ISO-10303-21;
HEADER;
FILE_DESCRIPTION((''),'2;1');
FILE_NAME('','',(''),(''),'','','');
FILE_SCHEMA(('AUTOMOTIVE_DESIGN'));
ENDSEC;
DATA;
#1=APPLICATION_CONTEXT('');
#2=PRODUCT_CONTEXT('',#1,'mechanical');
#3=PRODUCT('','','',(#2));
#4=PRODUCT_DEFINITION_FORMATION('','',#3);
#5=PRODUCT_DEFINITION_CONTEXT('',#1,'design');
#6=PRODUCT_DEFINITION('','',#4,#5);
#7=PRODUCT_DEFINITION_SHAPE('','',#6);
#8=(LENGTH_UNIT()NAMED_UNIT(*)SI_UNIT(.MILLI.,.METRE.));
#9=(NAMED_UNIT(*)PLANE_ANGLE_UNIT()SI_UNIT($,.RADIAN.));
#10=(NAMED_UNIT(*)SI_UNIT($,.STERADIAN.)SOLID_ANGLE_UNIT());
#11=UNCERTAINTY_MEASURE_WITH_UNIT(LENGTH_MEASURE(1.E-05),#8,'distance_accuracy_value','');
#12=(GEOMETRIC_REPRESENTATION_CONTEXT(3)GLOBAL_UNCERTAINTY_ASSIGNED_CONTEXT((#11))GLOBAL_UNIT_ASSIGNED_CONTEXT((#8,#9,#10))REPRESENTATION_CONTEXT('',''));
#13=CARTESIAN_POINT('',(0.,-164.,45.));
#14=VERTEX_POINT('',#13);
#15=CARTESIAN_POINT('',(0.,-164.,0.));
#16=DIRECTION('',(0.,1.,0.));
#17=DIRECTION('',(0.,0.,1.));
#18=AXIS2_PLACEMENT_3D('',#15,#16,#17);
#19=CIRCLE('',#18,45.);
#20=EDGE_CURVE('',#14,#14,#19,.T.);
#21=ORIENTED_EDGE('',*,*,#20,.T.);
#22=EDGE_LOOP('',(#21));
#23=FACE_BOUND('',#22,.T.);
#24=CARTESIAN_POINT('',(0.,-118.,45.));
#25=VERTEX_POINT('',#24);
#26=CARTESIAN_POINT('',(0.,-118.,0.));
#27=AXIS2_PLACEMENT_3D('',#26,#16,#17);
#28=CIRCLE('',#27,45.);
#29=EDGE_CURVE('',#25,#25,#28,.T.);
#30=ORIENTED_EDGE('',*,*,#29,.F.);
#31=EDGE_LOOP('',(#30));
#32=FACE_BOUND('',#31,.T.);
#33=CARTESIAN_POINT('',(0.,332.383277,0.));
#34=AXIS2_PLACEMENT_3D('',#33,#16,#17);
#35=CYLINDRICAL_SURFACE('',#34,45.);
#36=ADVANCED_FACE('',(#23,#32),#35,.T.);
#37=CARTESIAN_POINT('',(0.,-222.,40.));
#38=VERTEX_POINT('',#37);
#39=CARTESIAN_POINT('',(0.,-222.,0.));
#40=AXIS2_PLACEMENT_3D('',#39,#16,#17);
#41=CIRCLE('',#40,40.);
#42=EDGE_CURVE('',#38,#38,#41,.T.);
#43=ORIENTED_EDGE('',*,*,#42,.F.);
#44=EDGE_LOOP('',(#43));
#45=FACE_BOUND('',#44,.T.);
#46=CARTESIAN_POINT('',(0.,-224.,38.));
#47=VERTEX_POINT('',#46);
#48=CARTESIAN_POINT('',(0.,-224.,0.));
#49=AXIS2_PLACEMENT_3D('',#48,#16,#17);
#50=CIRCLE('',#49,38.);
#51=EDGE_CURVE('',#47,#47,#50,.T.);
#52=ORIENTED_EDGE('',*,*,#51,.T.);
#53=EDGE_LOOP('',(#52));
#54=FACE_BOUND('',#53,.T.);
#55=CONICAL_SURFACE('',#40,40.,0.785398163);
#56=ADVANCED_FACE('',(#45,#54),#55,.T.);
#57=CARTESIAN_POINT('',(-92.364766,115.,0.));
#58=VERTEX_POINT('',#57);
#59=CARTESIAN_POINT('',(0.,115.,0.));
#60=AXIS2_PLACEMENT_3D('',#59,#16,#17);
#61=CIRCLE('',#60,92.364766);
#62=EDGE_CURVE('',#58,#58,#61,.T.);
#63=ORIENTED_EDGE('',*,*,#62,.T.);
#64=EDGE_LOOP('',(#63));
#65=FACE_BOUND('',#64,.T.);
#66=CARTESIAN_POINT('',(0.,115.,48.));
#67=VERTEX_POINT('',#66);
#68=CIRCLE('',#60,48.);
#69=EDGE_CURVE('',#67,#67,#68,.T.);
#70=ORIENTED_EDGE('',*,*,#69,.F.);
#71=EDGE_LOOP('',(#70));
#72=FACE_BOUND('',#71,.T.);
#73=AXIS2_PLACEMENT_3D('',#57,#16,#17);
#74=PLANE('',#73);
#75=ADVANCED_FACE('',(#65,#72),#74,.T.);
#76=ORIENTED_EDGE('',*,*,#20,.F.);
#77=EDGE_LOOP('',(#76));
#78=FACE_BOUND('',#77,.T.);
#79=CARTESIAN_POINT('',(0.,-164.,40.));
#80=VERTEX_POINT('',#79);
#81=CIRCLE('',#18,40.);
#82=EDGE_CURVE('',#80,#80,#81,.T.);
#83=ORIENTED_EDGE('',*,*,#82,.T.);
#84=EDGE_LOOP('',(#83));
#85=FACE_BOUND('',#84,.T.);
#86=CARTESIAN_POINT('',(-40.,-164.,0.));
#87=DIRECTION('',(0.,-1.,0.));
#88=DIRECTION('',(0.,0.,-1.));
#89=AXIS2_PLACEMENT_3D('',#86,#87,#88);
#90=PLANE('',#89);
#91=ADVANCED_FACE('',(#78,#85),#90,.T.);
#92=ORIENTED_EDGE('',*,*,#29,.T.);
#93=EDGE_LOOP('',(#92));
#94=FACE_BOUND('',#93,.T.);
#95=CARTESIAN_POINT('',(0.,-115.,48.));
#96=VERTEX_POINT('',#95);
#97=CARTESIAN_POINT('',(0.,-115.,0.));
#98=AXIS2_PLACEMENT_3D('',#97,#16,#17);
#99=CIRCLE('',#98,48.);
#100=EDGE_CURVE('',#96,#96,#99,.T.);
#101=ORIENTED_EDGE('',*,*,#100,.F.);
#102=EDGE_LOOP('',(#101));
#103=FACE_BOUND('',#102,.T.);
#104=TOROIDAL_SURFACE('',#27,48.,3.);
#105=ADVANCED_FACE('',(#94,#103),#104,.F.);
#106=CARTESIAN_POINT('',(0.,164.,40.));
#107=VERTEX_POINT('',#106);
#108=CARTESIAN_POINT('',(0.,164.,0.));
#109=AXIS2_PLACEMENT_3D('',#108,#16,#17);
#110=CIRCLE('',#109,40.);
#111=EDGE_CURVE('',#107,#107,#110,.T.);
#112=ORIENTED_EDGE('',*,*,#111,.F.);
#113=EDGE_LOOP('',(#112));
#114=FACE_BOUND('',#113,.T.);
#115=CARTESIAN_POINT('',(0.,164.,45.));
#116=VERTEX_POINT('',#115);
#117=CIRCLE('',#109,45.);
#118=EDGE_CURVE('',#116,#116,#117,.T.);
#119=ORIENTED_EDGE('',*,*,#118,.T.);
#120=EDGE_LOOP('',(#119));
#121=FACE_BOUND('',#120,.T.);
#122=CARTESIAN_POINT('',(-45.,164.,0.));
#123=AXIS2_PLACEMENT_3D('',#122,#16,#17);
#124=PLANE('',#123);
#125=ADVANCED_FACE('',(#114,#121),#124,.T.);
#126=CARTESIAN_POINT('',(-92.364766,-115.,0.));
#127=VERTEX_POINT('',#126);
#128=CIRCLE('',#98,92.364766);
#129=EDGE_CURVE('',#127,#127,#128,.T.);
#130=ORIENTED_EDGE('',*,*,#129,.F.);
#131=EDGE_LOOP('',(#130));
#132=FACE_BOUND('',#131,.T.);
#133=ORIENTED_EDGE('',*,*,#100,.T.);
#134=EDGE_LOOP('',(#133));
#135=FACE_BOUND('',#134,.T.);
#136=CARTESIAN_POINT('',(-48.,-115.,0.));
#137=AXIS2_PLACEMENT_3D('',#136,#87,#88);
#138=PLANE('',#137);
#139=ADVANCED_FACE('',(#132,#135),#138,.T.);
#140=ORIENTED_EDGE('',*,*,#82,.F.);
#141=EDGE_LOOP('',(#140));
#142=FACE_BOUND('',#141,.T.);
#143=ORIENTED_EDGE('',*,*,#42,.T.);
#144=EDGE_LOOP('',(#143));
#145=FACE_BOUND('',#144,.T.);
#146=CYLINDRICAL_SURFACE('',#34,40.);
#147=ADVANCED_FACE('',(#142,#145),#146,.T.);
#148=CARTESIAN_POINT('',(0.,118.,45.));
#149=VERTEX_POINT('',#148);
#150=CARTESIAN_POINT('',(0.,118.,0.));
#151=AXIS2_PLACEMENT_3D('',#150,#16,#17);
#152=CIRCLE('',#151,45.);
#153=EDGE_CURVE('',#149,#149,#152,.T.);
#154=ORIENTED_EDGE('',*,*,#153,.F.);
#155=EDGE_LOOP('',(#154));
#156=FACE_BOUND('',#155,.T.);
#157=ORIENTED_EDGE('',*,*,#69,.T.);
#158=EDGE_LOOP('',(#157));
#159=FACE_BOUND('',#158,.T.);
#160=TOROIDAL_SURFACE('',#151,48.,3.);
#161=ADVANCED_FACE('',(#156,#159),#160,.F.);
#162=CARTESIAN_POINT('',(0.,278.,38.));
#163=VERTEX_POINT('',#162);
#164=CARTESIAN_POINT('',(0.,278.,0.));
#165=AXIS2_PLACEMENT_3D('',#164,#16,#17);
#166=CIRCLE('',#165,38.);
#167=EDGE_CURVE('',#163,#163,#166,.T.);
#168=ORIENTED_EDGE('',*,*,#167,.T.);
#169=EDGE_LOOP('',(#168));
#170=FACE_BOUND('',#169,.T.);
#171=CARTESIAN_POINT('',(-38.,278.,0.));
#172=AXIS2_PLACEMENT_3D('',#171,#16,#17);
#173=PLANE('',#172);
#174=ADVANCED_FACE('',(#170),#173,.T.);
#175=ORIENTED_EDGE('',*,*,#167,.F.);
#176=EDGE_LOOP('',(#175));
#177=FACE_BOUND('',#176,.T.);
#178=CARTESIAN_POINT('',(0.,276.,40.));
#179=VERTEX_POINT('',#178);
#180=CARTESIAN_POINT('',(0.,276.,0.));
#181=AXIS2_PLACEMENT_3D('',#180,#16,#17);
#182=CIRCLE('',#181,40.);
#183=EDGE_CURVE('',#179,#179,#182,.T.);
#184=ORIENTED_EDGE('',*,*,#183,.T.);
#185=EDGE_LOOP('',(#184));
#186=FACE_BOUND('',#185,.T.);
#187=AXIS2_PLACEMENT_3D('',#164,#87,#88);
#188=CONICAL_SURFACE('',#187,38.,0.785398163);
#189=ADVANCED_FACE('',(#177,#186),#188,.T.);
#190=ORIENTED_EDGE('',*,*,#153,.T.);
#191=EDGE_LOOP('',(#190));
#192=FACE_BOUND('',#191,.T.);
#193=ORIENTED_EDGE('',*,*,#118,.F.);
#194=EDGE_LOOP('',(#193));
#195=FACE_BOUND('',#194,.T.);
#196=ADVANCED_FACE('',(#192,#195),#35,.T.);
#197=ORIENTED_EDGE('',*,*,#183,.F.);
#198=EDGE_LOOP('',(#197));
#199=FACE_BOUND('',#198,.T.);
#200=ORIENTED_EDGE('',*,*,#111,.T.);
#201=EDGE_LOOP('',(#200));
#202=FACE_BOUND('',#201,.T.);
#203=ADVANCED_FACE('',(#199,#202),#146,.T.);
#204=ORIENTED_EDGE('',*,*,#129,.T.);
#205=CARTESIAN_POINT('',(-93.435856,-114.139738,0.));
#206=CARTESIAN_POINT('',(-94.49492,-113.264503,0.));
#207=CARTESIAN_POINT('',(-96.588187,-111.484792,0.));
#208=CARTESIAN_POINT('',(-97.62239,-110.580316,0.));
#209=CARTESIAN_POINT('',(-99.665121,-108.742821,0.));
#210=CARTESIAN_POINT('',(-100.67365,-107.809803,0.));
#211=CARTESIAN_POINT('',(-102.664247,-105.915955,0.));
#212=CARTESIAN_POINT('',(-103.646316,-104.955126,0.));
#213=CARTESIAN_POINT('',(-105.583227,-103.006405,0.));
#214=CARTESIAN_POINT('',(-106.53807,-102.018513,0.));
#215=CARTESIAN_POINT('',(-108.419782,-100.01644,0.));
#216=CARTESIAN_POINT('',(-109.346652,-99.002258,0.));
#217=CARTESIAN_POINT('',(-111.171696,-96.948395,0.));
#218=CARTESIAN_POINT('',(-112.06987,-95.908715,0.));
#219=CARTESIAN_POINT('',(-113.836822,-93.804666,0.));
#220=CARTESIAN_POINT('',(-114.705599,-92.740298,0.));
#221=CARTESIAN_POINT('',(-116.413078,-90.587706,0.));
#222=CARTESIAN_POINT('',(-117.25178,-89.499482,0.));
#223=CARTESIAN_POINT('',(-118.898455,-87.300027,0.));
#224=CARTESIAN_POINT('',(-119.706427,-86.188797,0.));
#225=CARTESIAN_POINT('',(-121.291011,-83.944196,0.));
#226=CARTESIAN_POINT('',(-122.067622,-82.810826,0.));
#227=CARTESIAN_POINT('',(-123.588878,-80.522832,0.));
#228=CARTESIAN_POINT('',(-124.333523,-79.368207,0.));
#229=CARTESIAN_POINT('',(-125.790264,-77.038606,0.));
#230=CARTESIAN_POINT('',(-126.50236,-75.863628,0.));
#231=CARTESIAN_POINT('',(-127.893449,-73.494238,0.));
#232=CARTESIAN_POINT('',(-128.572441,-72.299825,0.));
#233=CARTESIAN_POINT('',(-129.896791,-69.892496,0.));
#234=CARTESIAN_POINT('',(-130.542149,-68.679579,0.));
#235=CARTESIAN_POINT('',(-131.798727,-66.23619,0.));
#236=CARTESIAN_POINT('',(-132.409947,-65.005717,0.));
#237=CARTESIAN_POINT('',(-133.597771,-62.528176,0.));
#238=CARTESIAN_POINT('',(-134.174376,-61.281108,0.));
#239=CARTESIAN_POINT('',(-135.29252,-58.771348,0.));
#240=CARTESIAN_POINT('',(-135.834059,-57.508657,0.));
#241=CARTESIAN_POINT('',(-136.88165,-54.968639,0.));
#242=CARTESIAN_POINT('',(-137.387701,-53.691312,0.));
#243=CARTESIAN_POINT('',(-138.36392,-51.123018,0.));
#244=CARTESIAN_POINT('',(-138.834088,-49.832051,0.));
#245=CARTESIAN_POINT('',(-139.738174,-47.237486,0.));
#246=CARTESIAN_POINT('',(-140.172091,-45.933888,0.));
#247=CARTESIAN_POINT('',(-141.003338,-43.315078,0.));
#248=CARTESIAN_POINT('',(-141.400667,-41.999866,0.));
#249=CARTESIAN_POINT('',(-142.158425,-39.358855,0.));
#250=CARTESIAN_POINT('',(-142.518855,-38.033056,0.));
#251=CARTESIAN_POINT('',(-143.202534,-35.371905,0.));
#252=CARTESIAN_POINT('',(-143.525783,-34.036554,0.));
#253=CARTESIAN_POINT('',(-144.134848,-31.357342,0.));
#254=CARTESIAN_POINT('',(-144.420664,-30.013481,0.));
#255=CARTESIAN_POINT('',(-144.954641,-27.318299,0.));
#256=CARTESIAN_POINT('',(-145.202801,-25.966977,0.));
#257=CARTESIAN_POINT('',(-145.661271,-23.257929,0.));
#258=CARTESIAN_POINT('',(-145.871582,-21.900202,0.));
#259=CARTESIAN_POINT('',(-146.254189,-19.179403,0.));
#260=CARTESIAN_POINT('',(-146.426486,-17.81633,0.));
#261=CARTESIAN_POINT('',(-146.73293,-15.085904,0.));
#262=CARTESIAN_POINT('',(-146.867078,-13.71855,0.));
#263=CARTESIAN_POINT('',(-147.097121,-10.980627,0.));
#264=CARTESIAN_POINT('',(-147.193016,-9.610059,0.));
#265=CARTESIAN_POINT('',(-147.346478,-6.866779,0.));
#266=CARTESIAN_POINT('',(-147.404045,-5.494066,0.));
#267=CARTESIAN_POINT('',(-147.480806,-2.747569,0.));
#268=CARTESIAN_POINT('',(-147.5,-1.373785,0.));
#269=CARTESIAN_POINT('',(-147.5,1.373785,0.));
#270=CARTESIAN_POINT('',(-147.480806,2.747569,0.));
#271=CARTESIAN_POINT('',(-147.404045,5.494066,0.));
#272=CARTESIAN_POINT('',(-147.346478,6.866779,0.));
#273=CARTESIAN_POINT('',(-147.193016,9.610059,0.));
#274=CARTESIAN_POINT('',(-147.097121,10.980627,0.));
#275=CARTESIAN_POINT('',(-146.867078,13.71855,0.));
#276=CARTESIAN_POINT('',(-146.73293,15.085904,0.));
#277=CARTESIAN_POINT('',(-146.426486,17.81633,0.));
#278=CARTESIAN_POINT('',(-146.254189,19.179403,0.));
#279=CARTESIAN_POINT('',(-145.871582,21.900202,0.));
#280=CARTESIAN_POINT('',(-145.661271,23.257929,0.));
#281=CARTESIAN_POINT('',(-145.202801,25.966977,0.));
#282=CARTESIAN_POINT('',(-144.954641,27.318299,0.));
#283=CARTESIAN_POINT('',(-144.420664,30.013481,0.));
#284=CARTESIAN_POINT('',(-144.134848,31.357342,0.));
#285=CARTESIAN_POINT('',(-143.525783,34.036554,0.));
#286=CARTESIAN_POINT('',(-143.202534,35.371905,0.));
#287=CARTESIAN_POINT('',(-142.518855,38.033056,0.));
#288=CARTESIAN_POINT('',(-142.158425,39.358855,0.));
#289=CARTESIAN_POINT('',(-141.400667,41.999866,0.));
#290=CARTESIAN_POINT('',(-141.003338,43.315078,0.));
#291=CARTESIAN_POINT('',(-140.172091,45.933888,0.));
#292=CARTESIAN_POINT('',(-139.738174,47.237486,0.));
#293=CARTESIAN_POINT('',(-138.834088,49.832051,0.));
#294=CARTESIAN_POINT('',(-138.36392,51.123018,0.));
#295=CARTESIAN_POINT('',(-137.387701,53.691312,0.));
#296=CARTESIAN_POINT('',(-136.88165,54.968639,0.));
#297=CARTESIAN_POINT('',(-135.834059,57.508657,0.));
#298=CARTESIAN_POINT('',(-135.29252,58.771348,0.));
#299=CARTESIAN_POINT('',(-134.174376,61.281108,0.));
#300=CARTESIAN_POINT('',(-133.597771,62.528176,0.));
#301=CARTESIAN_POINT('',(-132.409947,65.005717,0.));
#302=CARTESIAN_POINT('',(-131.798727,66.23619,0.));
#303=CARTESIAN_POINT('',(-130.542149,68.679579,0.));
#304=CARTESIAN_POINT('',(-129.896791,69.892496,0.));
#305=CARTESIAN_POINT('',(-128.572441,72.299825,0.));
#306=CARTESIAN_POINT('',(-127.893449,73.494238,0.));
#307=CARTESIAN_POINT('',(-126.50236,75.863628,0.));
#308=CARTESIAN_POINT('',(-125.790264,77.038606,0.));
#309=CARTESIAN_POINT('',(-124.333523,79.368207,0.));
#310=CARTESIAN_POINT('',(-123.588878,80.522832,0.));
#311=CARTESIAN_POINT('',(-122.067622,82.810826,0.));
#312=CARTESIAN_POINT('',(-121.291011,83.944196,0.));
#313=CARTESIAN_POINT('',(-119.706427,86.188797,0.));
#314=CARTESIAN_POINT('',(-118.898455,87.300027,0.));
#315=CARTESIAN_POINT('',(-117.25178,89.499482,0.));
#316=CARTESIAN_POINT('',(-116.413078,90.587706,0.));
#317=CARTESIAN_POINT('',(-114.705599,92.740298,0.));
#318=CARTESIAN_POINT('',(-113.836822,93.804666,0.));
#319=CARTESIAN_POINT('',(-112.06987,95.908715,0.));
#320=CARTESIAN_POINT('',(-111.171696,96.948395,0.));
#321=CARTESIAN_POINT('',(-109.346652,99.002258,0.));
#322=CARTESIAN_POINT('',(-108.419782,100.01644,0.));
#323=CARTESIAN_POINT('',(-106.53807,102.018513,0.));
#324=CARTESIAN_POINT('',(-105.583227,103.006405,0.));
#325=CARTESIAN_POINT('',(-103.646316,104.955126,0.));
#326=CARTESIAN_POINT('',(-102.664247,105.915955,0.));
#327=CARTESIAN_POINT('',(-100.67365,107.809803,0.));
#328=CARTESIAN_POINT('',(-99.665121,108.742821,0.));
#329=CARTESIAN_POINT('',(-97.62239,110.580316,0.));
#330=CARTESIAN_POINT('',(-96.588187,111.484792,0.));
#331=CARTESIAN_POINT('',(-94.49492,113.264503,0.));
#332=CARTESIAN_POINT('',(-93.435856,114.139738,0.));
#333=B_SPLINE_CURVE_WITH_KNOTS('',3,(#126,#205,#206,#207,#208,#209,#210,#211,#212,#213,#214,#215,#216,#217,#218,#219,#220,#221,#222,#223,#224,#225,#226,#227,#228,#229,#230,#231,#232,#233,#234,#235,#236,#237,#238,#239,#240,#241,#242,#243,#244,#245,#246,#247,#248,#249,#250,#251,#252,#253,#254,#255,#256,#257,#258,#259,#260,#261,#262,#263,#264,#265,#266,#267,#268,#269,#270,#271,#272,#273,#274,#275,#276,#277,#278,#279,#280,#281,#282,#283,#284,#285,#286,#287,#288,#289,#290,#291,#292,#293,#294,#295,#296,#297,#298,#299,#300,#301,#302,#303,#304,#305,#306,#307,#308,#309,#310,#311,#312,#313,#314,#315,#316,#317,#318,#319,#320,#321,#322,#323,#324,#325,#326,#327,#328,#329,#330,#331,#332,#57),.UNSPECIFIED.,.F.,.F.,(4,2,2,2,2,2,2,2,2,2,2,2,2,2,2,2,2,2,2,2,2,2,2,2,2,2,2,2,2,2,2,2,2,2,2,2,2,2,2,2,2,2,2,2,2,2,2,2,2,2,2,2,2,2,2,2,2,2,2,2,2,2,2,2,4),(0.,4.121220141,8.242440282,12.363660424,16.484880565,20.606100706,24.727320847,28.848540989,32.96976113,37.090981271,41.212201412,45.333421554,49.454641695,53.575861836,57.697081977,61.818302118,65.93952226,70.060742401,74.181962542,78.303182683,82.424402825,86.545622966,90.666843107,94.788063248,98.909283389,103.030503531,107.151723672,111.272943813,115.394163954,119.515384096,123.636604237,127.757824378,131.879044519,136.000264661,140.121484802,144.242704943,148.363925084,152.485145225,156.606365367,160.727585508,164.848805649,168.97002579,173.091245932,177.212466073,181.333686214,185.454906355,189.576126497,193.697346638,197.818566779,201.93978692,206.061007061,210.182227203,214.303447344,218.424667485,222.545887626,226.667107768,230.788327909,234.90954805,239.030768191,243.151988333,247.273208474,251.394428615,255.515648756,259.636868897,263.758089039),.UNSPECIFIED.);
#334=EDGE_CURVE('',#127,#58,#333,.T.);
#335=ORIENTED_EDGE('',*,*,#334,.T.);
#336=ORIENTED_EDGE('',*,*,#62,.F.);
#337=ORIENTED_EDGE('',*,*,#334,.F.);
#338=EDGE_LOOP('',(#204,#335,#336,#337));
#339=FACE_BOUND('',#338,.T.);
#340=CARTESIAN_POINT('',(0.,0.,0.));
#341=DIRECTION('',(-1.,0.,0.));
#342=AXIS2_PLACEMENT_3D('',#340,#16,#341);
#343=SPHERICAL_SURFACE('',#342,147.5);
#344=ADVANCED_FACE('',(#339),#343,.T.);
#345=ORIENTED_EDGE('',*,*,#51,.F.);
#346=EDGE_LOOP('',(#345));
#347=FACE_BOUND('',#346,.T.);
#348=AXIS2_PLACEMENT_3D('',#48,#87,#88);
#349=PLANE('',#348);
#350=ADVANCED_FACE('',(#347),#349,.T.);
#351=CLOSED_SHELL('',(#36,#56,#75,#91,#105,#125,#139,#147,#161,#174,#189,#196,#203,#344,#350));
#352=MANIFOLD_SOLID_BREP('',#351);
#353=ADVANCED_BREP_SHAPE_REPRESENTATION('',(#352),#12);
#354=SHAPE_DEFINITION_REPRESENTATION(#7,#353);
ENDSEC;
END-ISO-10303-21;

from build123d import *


with BuildPart() as part:
    # Эскиз1 → Повернуть1 (revolve)
    with BuildSketch(Plane.XY, mode=Mode.PRIVATE) as revolve_1_sk:
        with BuildLine():
            Line((-92.36476601, 115), (-48, 115))
            ThreePointArc((-48, 115), (-45.878679656, 115.878679656), (-45, 118))
            Line((-45, 118), (-45, 164))
            Line((-45, 164), (-40, 164))
            Line((-40, 164), (-40, 276))
            Line((-40, 276), (-38, 278))
            Line((-38, 278), (0, 278))
            Line((0, 278), (0, -224))
            Line((0, -224), (-38, -224))
            Line((-38, -224), (-40, -222))
            Line((-40, -222), (-40, -164))
            Line((-40, -164), (-45, -164))
            Line((-45, -164), (-45, -118))
            ThreePointArc((-45, -118), (-45.878679656, -115.878679656), (-48, -115))
            Line((-48, -115), (-92.36476601, -115))
            ThreePointArc((-92.36476601, -115), (-147.5, 0), (-92.36476601, 115))
        make_face()
    revolve(revolve_1_sk.sketch.rotate(Axis((0, 332.383276995, 0), (0, -1, 0)), 270), axis=Axis((0, 332.383276995, 0), (0, -1, 0)))


solid = part.part
